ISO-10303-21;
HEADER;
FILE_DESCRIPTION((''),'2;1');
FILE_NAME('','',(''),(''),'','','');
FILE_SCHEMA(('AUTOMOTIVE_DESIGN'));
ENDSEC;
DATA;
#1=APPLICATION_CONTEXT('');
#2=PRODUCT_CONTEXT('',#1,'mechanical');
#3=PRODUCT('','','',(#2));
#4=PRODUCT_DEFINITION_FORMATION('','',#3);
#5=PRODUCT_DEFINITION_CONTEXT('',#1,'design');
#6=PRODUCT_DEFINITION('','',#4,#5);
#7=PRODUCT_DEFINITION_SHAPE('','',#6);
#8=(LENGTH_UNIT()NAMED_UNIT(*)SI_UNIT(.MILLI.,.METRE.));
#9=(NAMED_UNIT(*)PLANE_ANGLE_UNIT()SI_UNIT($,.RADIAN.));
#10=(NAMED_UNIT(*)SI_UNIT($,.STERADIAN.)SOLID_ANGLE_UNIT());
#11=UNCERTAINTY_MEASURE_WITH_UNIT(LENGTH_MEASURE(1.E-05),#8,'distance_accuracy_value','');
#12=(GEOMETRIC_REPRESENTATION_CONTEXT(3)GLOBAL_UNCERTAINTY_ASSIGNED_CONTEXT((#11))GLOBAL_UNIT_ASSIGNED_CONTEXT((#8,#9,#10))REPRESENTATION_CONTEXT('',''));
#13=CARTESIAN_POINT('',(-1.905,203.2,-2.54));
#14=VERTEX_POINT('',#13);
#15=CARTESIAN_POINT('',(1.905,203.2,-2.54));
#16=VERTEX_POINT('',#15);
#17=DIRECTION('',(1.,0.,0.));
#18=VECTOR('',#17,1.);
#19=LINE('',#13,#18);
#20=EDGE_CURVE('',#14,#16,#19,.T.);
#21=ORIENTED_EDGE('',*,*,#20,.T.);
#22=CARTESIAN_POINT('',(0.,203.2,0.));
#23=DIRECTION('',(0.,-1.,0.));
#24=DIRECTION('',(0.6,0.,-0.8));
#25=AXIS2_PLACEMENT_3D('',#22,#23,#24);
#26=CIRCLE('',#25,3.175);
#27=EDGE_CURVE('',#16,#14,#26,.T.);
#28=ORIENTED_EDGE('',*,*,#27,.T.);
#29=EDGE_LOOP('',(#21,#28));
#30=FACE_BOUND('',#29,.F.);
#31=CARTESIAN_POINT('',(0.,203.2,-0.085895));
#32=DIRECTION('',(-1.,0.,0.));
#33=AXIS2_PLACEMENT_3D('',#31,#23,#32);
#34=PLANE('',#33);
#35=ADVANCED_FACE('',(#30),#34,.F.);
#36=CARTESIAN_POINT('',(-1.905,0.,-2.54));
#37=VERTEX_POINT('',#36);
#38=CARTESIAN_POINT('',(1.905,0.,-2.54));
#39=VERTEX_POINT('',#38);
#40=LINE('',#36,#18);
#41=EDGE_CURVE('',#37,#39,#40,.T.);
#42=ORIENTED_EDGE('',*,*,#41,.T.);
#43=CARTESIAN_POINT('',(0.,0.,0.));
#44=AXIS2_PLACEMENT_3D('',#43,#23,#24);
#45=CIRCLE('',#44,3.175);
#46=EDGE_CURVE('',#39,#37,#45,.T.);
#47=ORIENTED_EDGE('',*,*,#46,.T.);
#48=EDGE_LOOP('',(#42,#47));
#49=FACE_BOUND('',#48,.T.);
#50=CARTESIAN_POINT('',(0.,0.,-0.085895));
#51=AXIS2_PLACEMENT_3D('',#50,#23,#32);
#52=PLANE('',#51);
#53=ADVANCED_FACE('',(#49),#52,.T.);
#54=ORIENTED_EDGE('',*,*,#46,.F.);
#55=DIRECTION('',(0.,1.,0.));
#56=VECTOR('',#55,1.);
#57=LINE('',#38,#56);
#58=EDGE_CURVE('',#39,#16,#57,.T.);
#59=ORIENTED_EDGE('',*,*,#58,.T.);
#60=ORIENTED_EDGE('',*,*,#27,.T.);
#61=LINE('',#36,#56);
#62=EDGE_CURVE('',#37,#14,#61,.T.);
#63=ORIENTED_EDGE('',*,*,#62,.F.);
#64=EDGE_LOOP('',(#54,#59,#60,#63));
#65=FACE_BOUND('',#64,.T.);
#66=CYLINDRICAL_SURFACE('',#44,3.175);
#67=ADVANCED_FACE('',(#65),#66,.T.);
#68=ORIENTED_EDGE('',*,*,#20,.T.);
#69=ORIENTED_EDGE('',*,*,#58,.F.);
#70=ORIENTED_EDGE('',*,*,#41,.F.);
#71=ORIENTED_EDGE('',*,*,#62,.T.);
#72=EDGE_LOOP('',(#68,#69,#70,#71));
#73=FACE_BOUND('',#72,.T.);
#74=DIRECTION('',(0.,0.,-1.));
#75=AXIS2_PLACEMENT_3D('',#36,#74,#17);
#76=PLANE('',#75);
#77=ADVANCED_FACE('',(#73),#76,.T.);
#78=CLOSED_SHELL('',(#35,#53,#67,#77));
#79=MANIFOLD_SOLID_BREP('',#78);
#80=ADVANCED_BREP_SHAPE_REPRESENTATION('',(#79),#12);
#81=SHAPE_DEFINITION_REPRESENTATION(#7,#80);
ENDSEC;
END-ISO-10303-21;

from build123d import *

# Parameters (mm, degrees)
BOSS_EXTRUDE1_DEPTH = 203.2


with BuildPart() as part:
    # Sketch1 → Boss-Extrude1 (new body)
    with BuildSketch(Plane(origin=(0, 0, 0), x_dir=(1, 0, 0), z_dir=(0, 1, 0))):
        with BuildLine():
            Line((-1.905, 2.54), (1.905, 2.54))
            ThreePointArc((1.905, 2.54), (0, -3.175), (-1.905, 2.54))
        make_face()
    extrude(amount=BOSS_EXTRUDE1_DEPTH)


solid = part.part
